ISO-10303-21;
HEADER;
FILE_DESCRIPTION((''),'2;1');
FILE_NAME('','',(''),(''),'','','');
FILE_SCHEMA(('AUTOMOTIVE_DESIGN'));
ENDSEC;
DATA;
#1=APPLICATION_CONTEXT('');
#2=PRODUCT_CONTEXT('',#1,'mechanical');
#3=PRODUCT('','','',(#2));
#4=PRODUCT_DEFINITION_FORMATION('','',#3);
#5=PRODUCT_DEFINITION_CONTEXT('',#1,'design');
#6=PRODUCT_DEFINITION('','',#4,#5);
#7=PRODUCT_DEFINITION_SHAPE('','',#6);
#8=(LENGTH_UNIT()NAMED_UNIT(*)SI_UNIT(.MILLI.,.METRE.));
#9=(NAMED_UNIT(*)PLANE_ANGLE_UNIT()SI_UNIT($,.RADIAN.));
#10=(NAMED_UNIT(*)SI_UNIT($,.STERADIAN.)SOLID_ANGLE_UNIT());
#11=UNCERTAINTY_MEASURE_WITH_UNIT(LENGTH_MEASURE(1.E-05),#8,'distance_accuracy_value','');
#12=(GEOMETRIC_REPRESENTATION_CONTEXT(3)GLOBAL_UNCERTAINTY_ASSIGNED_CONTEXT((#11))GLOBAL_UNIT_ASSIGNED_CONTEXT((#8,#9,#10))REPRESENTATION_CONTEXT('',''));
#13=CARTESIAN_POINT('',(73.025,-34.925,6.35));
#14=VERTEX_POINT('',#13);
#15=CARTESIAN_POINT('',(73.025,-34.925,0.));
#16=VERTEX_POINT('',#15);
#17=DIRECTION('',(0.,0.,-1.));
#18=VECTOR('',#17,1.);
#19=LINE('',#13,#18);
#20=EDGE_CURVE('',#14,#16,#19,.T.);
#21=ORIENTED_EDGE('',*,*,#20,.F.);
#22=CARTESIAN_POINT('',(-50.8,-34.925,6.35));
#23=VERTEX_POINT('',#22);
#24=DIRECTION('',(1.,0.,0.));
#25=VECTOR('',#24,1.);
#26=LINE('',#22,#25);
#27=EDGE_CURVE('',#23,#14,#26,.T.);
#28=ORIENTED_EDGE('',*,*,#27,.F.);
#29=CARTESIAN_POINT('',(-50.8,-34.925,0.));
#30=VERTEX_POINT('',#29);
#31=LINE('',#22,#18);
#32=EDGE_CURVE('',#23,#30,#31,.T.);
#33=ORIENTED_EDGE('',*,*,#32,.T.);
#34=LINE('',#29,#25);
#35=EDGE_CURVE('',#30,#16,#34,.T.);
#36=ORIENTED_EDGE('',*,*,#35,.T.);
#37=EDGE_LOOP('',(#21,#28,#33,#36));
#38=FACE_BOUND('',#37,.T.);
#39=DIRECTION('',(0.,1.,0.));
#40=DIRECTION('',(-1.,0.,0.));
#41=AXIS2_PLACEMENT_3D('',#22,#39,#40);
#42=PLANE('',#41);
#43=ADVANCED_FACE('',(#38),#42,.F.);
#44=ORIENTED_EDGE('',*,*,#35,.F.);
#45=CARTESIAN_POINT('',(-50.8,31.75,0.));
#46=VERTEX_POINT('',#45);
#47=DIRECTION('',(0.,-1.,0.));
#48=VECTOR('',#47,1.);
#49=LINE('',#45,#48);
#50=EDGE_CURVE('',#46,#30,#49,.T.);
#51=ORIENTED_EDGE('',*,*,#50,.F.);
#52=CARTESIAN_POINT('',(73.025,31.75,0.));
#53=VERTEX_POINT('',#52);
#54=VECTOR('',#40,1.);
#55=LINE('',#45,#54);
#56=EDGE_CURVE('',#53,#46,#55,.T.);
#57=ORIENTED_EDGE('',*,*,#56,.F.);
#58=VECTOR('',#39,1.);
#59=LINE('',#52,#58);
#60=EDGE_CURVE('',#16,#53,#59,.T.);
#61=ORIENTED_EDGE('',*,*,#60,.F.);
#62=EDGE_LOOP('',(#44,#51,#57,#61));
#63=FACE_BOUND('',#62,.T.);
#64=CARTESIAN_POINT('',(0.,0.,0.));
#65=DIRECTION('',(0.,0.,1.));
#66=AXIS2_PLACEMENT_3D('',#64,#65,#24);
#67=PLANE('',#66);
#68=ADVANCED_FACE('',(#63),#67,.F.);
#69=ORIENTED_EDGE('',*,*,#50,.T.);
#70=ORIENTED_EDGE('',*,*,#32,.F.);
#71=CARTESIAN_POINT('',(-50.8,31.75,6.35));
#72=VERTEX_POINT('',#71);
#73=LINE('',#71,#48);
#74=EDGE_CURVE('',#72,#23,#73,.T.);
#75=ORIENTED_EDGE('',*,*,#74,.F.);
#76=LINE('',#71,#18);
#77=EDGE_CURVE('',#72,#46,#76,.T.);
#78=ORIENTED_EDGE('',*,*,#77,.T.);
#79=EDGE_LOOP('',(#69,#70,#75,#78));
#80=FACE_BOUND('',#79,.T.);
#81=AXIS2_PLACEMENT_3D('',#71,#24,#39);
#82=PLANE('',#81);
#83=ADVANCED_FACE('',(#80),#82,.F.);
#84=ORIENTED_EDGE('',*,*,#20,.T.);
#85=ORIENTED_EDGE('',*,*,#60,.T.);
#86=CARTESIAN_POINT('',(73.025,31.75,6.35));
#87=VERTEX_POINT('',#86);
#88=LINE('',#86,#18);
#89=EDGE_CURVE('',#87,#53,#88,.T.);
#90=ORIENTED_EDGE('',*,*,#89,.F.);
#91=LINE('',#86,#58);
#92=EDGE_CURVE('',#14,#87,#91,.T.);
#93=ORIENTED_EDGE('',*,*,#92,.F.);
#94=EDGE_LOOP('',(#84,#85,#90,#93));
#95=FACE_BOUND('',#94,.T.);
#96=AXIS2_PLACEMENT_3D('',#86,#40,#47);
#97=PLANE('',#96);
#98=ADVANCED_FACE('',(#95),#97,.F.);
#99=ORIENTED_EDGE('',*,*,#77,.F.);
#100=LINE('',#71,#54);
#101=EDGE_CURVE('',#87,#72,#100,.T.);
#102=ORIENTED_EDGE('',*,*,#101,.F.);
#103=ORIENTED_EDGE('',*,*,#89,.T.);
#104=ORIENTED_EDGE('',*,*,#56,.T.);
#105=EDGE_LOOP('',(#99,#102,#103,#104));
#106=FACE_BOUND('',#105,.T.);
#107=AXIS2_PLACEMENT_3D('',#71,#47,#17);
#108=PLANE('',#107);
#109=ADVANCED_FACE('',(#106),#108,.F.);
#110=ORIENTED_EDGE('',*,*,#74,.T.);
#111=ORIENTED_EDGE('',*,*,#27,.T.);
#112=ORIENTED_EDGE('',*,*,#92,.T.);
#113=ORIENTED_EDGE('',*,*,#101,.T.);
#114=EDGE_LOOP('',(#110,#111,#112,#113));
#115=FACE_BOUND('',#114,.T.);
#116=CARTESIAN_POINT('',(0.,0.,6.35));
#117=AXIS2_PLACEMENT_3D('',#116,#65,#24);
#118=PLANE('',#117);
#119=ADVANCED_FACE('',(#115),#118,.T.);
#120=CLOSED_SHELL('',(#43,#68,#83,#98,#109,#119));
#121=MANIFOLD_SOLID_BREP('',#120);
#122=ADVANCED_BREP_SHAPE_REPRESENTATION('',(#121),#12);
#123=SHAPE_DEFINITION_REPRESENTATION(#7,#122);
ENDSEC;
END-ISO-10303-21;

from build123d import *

# Parameters (mm, degrees)
SKETCH1_W           = 123.825
SKETCH1_H           = 66.675
BOSS_EXTRUDE1_DEPTH = 6.35


with BuildPart() as part:
    # Sketch1 → Boss-Extrude1 (new body)
    with BuildSketch(Plane.XY):
        with Locations((11.1125, -1.5875)):
            Rectangle(SKETCH1_W, SKETCH1_H)
    extrude(amount=BOSS_EXTRUDE1_DEPTH)


solid = part.part
